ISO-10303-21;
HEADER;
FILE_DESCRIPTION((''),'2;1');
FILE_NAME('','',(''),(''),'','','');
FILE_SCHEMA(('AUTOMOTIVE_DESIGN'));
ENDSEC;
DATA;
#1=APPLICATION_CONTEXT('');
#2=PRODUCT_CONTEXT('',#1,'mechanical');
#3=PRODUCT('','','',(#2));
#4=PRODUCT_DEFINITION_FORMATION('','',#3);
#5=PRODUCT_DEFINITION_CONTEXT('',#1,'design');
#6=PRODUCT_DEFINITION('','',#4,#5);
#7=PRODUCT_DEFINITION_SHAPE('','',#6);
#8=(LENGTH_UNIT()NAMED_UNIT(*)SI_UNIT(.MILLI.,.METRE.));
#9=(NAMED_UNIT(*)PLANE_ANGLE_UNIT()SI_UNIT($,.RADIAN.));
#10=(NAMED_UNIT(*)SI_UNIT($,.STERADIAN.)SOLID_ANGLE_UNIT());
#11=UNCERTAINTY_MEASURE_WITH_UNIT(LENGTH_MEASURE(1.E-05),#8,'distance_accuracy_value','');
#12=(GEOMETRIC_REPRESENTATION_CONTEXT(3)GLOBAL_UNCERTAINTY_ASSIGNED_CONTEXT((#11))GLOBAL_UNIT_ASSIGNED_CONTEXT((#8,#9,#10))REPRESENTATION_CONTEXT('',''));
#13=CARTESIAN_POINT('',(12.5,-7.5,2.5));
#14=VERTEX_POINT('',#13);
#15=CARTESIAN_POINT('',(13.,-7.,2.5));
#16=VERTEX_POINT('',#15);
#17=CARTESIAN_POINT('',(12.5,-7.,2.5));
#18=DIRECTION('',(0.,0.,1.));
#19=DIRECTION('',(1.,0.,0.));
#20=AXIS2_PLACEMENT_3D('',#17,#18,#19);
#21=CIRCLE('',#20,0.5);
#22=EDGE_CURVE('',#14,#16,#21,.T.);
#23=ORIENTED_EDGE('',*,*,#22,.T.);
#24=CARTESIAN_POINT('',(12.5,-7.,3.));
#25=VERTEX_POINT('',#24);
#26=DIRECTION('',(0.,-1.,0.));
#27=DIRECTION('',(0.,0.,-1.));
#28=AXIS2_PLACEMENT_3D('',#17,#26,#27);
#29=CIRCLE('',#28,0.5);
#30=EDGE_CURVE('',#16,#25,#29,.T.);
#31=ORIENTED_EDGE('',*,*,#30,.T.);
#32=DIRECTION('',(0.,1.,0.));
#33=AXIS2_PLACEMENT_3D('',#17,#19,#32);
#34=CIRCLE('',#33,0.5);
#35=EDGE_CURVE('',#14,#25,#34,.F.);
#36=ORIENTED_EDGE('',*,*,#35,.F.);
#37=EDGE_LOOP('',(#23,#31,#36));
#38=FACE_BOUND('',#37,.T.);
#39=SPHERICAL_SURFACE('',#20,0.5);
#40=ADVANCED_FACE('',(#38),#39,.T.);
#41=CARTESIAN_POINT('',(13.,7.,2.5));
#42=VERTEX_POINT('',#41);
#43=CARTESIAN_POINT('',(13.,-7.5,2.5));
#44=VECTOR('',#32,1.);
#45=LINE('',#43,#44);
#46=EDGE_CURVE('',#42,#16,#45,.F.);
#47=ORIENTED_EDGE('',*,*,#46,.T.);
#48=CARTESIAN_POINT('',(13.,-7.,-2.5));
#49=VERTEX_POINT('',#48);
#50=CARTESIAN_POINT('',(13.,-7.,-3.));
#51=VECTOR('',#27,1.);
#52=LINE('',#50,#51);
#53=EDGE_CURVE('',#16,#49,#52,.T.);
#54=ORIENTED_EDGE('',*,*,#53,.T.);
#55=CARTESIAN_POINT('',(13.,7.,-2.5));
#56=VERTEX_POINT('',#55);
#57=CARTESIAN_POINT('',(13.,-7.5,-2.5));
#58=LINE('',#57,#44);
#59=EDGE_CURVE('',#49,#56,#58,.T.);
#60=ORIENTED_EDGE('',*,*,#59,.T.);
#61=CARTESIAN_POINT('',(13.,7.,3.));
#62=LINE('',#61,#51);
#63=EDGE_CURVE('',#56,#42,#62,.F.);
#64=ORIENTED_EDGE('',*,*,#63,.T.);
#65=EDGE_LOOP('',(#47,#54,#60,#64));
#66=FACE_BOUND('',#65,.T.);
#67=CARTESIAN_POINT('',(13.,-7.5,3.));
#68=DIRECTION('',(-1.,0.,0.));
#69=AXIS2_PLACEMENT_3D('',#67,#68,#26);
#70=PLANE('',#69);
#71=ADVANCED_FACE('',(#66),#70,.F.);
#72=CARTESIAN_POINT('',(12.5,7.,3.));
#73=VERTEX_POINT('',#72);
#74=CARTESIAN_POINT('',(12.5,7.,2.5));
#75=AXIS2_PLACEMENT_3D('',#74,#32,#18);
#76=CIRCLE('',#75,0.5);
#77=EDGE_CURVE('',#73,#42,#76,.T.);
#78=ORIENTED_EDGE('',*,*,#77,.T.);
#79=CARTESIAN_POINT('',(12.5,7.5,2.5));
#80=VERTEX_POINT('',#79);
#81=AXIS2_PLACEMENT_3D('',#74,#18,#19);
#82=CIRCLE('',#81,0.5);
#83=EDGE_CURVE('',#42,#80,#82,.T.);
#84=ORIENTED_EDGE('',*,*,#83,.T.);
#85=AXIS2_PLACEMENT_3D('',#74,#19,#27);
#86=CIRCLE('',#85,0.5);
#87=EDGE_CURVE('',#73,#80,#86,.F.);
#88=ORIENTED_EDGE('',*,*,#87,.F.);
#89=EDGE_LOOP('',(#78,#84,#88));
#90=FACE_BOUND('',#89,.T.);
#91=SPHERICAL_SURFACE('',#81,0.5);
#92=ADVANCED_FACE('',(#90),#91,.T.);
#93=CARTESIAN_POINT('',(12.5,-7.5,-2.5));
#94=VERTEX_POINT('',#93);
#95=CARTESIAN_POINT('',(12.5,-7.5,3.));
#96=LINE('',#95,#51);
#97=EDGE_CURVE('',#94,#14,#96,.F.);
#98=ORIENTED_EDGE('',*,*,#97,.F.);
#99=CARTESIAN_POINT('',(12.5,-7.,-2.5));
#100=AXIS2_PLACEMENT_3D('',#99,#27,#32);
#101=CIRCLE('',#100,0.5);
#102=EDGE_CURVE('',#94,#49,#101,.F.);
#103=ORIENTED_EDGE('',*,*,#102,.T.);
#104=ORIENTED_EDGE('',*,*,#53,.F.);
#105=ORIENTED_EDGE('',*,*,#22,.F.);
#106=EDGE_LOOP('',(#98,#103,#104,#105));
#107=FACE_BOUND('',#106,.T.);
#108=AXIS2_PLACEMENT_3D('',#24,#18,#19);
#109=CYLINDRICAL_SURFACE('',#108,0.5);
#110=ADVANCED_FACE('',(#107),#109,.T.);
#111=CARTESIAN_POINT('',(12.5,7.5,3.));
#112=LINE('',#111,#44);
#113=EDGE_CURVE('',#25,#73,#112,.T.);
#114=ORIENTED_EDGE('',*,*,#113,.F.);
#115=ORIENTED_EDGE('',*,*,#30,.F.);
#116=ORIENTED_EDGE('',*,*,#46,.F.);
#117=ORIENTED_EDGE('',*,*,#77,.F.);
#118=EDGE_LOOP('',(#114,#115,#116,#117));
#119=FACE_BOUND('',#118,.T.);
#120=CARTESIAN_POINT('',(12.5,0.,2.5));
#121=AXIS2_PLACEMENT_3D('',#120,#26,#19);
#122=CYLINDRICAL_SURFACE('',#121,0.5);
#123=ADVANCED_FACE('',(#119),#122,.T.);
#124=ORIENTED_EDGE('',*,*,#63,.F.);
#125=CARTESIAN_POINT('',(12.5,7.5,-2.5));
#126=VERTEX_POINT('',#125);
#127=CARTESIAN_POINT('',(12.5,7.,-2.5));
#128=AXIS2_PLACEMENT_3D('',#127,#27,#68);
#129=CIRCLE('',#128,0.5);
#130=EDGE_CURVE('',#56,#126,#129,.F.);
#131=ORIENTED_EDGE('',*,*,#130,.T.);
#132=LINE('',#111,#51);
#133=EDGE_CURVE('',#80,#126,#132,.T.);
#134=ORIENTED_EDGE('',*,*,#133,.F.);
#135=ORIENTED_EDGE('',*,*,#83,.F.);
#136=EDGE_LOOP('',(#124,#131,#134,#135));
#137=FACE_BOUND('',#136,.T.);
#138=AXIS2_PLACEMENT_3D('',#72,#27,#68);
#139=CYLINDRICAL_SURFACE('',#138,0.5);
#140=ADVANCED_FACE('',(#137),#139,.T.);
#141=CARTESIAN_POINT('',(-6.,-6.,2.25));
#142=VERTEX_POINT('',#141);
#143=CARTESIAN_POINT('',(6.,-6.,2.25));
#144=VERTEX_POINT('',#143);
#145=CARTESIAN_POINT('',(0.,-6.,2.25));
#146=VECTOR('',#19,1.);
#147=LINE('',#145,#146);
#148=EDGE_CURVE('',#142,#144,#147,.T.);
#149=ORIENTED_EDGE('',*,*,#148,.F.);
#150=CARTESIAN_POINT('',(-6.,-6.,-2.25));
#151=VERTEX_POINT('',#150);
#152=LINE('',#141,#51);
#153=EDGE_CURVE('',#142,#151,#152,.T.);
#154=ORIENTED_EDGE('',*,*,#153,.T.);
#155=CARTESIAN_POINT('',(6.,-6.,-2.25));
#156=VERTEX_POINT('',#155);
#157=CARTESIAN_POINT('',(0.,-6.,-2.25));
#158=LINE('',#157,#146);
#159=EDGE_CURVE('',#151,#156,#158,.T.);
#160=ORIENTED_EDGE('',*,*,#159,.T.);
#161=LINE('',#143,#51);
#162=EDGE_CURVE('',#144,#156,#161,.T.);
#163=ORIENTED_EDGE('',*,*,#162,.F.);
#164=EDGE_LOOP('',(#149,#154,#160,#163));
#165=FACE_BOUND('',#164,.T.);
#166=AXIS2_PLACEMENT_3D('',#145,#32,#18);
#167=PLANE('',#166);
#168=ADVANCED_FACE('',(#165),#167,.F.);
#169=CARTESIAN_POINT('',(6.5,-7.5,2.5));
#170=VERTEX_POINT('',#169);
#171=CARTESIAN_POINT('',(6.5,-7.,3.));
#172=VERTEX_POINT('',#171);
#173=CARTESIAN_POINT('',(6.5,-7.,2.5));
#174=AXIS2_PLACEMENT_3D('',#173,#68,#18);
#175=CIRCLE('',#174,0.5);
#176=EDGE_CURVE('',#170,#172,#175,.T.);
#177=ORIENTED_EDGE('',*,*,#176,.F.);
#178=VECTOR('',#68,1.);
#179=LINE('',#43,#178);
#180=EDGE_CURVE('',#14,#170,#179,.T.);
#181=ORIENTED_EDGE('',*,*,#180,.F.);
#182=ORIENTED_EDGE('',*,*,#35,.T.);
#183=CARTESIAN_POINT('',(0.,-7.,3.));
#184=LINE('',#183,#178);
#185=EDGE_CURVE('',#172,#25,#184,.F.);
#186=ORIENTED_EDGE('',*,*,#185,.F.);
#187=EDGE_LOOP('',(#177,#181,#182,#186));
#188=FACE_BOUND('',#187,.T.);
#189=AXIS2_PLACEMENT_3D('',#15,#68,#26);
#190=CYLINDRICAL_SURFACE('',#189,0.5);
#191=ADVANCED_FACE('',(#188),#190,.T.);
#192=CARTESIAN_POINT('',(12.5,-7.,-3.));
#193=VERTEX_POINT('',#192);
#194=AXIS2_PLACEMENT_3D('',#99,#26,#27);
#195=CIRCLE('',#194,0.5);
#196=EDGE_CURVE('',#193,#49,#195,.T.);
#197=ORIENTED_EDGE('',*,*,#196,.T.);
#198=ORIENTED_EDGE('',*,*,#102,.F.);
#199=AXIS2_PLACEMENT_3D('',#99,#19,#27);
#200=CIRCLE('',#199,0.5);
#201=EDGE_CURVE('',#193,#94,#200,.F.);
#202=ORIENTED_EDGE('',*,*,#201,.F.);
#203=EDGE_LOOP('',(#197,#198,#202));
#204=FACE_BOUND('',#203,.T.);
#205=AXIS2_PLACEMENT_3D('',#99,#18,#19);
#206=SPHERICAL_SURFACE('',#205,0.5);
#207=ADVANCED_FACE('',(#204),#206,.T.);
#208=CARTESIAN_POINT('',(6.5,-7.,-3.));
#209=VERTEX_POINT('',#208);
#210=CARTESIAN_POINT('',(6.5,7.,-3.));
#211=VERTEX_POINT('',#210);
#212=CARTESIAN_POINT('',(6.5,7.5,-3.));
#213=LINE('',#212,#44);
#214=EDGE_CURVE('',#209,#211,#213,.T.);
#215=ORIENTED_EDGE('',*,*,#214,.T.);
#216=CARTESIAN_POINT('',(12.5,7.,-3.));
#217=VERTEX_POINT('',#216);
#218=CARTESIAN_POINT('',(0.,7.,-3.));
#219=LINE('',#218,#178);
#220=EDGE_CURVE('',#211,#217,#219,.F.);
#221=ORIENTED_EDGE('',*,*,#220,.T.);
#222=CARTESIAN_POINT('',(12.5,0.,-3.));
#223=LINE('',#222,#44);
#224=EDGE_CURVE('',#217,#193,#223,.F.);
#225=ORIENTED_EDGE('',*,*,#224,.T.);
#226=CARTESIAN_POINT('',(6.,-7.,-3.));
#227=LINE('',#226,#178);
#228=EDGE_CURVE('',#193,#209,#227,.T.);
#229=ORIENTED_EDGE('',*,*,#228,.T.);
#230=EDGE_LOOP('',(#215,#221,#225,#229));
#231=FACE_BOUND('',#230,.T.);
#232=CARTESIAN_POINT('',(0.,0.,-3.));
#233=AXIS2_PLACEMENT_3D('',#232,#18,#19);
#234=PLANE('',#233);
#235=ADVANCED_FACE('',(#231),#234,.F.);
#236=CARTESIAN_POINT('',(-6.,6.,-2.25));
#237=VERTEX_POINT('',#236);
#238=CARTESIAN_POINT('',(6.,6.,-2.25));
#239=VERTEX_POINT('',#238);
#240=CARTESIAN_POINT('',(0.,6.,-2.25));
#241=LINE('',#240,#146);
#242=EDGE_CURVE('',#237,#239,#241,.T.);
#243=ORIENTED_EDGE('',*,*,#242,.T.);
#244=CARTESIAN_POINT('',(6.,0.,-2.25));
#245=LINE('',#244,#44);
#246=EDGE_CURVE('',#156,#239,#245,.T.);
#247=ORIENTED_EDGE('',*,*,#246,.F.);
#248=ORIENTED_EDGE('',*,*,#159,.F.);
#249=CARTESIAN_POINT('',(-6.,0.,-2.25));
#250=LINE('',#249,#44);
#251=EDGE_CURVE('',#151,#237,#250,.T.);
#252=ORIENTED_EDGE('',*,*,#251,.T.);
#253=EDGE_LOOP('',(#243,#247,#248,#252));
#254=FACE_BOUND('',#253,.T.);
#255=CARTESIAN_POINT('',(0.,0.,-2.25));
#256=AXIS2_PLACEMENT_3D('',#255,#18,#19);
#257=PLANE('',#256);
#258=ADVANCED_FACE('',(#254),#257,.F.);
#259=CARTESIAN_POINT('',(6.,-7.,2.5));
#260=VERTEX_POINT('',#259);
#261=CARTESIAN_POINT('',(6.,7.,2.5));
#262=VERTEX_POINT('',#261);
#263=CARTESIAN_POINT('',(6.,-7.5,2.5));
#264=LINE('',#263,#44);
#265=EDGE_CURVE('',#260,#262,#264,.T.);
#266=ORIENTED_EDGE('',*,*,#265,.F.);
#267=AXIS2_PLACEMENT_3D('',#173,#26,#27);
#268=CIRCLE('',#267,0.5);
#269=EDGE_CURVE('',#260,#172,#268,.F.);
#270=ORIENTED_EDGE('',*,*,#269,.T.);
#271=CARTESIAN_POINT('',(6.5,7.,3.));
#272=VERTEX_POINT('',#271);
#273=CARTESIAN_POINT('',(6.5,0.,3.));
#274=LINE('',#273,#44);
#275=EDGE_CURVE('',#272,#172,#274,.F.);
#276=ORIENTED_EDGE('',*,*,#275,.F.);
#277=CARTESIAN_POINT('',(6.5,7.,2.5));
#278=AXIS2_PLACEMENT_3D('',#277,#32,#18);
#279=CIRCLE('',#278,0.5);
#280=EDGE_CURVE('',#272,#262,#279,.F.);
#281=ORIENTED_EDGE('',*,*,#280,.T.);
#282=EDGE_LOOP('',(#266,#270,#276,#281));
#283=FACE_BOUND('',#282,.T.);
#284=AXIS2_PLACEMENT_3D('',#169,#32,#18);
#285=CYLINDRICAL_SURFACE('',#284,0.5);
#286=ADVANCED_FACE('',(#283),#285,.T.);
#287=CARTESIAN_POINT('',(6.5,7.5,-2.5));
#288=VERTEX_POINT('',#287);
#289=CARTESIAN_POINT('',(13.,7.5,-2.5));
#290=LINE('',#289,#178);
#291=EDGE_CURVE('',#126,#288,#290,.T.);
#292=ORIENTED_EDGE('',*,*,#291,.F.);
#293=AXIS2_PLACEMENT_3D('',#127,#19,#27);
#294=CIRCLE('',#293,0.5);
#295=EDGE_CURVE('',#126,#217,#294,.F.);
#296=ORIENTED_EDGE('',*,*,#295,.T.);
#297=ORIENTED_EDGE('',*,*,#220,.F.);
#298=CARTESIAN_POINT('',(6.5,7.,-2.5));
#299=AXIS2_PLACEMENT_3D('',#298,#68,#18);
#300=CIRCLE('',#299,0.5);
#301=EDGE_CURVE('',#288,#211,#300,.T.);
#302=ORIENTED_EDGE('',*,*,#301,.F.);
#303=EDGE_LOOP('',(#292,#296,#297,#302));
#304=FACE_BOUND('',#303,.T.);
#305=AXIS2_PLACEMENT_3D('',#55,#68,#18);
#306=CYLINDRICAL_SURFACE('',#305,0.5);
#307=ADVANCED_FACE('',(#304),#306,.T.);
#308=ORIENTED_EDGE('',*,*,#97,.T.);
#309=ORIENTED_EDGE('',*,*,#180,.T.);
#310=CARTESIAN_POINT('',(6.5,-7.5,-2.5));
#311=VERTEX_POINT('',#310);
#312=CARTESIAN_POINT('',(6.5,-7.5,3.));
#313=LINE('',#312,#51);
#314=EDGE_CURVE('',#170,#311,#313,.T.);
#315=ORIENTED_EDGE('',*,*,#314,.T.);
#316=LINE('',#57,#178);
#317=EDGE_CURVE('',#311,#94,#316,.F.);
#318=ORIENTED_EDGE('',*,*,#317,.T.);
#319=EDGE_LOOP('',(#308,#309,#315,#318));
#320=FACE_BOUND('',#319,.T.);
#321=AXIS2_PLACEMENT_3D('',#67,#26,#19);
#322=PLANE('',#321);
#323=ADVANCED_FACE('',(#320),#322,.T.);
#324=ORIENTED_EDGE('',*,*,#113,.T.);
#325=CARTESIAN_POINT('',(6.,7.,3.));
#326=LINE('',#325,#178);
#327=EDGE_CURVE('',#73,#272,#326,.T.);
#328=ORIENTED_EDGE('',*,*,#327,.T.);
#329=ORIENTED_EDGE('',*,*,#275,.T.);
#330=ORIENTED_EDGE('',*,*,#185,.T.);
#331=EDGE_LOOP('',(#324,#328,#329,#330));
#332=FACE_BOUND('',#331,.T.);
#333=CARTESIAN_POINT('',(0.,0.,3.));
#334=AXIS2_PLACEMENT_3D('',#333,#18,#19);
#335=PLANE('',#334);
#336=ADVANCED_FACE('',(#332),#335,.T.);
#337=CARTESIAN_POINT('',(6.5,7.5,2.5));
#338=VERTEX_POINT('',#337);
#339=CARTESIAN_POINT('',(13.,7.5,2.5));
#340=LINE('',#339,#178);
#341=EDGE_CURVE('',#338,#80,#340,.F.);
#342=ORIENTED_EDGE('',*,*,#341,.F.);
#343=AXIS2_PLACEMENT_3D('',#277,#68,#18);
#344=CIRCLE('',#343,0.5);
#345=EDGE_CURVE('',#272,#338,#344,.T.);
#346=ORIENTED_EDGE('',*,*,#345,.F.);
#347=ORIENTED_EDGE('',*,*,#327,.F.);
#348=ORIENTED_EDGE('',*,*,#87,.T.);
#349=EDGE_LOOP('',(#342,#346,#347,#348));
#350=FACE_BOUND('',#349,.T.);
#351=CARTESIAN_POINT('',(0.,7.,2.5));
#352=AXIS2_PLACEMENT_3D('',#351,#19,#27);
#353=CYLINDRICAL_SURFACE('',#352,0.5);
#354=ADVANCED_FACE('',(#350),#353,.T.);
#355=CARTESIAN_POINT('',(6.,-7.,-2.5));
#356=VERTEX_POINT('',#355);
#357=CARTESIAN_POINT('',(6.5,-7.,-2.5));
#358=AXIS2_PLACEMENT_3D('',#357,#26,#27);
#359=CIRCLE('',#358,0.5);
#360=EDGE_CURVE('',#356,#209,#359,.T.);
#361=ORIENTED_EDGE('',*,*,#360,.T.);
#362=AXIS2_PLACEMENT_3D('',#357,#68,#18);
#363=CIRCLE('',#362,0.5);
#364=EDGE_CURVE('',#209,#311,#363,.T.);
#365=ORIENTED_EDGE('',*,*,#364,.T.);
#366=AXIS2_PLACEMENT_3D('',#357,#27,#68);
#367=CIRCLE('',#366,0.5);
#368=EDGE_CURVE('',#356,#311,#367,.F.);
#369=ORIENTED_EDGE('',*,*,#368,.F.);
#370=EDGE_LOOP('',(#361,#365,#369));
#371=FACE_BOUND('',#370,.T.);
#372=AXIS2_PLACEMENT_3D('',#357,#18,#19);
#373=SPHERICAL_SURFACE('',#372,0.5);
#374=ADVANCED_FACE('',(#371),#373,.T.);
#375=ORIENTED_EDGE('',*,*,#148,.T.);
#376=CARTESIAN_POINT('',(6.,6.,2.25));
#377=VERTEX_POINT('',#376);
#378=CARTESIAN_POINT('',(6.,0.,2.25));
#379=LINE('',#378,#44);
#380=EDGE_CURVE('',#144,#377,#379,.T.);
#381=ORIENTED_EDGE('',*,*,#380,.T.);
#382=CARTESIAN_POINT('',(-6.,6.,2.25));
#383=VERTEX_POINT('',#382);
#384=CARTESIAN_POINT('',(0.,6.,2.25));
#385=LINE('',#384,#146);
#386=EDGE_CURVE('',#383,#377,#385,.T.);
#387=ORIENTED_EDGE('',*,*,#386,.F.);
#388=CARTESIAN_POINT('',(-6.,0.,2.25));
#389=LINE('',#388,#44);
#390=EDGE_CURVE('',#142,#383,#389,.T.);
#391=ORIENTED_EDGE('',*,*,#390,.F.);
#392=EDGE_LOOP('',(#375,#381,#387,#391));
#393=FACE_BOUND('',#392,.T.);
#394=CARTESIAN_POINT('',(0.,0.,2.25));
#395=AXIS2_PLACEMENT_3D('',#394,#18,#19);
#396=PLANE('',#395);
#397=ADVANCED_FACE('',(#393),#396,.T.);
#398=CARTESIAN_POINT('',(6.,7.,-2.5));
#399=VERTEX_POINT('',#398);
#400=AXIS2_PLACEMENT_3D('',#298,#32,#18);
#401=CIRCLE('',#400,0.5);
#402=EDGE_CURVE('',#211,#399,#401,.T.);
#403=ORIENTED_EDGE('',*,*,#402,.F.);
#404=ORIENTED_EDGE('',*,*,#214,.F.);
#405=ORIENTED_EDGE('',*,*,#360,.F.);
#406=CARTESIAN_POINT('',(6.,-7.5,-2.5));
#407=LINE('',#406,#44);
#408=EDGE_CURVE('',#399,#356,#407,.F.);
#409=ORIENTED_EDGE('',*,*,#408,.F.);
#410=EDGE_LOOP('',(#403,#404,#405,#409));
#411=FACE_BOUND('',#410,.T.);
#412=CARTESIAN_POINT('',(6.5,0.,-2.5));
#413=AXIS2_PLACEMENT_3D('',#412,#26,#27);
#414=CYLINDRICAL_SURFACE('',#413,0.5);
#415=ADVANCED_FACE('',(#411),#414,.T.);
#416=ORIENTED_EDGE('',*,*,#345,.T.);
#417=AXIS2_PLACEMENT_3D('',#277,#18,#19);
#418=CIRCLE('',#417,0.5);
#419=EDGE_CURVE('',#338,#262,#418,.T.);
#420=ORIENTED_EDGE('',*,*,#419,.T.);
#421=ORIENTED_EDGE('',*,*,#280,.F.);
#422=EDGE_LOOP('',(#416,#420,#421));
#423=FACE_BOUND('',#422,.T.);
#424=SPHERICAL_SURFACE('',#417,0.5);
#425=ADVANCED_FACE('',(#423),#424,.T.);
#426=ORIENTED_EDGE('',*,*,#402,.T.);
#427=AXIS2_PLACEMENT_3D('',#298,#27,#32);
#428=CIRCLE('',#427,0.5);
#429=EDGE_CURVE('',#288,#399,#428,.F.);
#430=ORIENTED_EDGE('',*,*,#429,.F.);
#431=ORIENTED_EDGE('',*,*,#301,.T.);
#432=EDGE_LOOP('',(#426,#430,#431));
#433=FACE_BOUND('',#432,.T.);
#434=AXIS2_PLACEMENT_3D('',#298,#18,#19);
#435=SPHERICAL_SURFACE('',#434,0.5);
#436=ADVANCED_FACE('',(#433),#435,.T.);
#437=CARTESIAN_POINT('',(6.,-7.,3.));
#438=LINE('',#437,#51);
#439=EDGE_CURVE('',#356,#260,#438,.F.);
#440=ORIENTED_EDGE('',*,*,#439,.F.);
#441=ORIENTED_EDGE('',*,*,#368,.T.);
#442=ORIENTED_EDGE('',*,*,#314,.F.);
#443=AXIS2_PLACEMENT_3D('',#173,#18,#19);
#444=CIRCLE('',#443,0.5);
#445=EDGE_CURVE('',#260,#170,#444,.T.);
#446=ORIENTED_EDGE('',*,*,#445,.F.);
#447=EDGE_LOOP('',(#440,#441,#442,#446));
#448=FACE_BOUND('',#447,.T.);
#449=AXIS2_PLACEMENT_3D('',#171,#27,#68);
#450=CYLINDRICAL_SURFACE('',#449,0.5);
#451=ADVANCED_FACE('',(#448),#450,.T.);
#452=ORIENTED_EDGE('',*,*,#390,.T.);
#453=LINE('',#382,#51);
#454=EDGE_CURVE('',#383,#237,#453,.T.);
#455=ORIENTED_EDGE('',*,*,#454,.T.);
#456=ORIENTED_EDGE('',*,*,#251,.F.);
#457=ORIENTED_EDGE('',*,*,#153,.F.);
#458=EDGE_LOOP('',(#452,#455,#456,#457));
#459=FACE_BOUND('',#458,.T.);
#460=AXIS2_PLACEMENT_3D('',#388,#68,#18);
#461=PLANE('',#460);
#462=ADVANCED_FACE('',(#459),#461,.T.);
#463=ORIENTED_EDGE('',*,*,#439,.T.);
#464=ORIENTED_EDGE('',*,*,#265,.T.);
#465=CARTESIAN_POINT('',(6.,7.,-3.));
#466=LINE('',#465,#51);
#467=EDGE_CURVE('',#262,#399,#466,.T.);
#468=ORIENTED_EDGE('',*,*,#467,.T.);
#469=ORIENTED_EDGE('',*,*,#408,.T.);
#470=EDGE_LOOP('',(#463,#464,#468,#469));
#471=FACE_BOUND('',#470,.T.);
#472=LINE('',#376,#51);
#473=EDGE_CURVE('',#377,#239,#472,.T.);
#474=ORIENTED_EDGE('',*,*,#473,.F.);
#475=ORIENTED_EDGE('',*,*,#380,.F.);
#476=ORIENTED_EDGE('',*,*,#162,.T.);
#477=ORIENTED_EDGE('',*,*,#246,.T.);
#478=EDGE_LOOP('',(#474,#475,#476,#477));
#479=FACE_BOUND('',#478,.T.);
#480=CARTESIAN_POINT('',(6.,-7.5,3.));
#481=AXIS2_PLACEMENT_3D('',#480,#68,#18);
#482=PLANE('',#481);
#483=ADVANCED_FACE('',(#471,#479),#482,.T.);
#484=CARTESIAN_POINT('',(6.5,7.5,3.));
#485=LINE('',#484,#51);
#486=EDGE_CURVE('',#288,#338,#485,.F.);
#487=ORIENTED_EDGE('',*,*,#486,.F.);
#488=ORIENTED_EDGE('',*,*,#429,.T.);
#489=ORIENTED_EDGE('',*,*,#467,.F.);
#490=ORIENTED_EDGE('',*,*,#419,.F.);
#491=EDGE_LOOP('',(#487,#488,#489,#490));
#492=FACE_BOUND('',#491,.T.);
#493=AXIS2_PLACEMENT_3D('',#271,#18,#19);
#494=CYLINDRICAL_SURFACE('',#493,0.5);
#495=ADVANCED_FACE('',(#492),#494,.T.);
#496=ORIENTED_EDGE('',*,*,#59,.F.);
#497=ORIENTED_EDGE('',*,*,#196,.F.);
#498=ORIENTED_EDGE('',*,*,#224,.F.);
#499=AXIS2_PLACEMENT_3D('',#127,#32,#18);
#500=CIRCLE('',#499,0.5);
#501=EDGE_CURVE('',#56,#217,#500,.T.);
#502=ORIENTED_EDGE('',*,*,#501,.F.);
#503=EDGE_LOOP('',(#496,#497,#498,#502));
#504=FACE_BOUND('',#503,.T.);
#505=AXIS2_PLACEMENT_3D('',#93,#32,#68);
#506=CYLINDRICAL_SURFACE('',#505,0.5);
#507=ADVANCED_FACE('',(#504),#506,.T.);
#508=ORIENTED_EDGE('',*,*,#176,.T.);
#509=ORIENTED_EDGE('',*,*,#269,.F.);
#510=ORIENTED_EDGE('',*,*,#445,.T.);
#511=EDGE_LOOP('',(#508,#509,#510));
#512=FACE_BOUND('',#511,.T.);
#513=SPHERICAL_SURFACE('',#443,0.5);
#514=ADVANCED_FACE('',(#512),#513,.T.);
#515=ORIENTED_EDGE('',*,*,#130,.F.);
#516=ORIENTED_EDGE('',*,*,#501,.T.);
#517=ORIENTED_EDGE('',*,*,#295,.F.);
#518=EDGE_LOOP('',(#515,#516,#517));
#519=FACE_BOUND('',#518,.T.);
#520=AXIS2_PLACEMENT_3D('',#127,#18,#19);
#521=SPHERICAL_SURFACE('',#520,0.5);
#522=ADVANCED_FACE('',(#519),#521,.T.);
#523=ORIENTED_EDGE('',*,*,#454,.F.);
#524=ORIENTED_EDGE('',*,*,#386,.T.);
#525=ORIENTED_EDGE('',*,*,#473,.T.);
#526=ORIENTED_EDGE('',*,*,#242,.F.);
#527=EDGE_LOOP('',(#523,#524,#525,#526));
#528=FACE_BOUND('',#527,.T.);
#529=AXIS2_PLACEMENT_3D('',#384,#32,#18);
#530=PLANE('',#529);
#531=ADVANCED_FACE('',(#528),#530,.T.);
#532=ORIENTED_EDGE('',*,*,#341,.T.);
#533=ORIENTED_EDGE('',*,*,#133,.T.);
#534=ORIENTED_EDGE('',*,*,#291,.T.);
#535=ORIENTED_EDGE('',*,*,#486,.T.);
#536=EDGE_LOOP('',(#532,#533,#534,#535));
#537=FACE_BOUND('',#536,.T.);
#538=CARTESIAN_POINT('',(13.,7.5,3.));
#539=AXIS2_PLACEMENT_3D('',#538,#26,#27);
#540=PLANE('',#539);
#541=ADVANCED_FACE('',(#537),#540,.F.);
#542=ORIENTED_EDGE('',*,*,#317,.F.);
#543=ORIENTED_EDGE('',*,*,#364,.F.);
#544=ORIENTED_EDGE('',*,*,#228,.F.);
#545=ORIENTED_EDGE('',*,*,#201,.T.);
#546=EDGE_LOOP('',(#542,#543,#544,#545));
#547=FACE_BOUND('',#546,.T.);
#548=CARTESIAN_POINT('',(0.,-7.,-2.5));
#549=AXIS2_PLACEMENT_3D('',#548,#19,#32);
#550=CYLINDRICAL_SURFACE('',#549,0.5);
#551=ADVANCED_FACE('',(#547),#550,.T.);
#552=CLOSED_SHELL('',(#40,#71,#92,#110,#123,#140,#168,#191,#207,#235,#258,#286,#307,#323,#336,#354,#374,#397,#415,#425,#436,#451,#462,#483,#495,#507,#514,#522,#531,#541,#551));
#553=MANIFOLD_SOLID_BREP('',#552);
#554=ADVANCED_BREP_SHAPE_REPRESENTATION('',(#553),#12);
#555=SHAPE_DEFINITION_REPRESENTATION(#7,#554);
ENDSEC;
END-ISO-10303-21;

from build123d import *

# Parameters (mm, degrees)
SKETCH1_W           = 12
SKETCH1_H           = 12
BOSS_EXTRUDE1_DEPTH = 2.25
SKETCH1_3_W         = 7
SKETCH1_3_H         = 15
BOSS_EXTRUDE2_DEPTH = 3
FILLET1_R           = 0.5


with BuildPart() as part:
    # Sketch1 → Boss-Extrude1 (new, symmetric)
    with BuildSketch(Plane.XY):
        Rectangle(SKETCH1_W, SKETCH1_H)
    extrude(amount=BOSS_EXTRUDE1_DEPTH, both=True)

    # Sketch1<3> → Boss-Extrude2 (add, symmetric)
    with BuildSketch(Plane.XY):
        with Locations((9.5, 0)):
            Rectangle(SKETCH1_3_W, SKETCH1_3_H)
    extrude(amount=BOSS_EXTRUDE2_DEPTH, both=True)

    # Fillet1
    fillet1_edges = [part.edges().sort_by_distance(p)[0] for p in [
        (13, 0, -3),
        (13, -7.5, 0),
        (9.5, 7.5, -3),
        (13, 7.5, 0),
        (6, 0, 3),
        (6, 7.5, 0),
        (9.5, -7.5, 3),
        (6, -7.5, 0),
        (13, 0, 3),
        (9.5, 7.5, 3),
        (9.5, -7.5, -3),
        (6, 0, -3),
    ]]
    fillet(fillet1_edges, radius=FILLET1_R)


solid = part.part
